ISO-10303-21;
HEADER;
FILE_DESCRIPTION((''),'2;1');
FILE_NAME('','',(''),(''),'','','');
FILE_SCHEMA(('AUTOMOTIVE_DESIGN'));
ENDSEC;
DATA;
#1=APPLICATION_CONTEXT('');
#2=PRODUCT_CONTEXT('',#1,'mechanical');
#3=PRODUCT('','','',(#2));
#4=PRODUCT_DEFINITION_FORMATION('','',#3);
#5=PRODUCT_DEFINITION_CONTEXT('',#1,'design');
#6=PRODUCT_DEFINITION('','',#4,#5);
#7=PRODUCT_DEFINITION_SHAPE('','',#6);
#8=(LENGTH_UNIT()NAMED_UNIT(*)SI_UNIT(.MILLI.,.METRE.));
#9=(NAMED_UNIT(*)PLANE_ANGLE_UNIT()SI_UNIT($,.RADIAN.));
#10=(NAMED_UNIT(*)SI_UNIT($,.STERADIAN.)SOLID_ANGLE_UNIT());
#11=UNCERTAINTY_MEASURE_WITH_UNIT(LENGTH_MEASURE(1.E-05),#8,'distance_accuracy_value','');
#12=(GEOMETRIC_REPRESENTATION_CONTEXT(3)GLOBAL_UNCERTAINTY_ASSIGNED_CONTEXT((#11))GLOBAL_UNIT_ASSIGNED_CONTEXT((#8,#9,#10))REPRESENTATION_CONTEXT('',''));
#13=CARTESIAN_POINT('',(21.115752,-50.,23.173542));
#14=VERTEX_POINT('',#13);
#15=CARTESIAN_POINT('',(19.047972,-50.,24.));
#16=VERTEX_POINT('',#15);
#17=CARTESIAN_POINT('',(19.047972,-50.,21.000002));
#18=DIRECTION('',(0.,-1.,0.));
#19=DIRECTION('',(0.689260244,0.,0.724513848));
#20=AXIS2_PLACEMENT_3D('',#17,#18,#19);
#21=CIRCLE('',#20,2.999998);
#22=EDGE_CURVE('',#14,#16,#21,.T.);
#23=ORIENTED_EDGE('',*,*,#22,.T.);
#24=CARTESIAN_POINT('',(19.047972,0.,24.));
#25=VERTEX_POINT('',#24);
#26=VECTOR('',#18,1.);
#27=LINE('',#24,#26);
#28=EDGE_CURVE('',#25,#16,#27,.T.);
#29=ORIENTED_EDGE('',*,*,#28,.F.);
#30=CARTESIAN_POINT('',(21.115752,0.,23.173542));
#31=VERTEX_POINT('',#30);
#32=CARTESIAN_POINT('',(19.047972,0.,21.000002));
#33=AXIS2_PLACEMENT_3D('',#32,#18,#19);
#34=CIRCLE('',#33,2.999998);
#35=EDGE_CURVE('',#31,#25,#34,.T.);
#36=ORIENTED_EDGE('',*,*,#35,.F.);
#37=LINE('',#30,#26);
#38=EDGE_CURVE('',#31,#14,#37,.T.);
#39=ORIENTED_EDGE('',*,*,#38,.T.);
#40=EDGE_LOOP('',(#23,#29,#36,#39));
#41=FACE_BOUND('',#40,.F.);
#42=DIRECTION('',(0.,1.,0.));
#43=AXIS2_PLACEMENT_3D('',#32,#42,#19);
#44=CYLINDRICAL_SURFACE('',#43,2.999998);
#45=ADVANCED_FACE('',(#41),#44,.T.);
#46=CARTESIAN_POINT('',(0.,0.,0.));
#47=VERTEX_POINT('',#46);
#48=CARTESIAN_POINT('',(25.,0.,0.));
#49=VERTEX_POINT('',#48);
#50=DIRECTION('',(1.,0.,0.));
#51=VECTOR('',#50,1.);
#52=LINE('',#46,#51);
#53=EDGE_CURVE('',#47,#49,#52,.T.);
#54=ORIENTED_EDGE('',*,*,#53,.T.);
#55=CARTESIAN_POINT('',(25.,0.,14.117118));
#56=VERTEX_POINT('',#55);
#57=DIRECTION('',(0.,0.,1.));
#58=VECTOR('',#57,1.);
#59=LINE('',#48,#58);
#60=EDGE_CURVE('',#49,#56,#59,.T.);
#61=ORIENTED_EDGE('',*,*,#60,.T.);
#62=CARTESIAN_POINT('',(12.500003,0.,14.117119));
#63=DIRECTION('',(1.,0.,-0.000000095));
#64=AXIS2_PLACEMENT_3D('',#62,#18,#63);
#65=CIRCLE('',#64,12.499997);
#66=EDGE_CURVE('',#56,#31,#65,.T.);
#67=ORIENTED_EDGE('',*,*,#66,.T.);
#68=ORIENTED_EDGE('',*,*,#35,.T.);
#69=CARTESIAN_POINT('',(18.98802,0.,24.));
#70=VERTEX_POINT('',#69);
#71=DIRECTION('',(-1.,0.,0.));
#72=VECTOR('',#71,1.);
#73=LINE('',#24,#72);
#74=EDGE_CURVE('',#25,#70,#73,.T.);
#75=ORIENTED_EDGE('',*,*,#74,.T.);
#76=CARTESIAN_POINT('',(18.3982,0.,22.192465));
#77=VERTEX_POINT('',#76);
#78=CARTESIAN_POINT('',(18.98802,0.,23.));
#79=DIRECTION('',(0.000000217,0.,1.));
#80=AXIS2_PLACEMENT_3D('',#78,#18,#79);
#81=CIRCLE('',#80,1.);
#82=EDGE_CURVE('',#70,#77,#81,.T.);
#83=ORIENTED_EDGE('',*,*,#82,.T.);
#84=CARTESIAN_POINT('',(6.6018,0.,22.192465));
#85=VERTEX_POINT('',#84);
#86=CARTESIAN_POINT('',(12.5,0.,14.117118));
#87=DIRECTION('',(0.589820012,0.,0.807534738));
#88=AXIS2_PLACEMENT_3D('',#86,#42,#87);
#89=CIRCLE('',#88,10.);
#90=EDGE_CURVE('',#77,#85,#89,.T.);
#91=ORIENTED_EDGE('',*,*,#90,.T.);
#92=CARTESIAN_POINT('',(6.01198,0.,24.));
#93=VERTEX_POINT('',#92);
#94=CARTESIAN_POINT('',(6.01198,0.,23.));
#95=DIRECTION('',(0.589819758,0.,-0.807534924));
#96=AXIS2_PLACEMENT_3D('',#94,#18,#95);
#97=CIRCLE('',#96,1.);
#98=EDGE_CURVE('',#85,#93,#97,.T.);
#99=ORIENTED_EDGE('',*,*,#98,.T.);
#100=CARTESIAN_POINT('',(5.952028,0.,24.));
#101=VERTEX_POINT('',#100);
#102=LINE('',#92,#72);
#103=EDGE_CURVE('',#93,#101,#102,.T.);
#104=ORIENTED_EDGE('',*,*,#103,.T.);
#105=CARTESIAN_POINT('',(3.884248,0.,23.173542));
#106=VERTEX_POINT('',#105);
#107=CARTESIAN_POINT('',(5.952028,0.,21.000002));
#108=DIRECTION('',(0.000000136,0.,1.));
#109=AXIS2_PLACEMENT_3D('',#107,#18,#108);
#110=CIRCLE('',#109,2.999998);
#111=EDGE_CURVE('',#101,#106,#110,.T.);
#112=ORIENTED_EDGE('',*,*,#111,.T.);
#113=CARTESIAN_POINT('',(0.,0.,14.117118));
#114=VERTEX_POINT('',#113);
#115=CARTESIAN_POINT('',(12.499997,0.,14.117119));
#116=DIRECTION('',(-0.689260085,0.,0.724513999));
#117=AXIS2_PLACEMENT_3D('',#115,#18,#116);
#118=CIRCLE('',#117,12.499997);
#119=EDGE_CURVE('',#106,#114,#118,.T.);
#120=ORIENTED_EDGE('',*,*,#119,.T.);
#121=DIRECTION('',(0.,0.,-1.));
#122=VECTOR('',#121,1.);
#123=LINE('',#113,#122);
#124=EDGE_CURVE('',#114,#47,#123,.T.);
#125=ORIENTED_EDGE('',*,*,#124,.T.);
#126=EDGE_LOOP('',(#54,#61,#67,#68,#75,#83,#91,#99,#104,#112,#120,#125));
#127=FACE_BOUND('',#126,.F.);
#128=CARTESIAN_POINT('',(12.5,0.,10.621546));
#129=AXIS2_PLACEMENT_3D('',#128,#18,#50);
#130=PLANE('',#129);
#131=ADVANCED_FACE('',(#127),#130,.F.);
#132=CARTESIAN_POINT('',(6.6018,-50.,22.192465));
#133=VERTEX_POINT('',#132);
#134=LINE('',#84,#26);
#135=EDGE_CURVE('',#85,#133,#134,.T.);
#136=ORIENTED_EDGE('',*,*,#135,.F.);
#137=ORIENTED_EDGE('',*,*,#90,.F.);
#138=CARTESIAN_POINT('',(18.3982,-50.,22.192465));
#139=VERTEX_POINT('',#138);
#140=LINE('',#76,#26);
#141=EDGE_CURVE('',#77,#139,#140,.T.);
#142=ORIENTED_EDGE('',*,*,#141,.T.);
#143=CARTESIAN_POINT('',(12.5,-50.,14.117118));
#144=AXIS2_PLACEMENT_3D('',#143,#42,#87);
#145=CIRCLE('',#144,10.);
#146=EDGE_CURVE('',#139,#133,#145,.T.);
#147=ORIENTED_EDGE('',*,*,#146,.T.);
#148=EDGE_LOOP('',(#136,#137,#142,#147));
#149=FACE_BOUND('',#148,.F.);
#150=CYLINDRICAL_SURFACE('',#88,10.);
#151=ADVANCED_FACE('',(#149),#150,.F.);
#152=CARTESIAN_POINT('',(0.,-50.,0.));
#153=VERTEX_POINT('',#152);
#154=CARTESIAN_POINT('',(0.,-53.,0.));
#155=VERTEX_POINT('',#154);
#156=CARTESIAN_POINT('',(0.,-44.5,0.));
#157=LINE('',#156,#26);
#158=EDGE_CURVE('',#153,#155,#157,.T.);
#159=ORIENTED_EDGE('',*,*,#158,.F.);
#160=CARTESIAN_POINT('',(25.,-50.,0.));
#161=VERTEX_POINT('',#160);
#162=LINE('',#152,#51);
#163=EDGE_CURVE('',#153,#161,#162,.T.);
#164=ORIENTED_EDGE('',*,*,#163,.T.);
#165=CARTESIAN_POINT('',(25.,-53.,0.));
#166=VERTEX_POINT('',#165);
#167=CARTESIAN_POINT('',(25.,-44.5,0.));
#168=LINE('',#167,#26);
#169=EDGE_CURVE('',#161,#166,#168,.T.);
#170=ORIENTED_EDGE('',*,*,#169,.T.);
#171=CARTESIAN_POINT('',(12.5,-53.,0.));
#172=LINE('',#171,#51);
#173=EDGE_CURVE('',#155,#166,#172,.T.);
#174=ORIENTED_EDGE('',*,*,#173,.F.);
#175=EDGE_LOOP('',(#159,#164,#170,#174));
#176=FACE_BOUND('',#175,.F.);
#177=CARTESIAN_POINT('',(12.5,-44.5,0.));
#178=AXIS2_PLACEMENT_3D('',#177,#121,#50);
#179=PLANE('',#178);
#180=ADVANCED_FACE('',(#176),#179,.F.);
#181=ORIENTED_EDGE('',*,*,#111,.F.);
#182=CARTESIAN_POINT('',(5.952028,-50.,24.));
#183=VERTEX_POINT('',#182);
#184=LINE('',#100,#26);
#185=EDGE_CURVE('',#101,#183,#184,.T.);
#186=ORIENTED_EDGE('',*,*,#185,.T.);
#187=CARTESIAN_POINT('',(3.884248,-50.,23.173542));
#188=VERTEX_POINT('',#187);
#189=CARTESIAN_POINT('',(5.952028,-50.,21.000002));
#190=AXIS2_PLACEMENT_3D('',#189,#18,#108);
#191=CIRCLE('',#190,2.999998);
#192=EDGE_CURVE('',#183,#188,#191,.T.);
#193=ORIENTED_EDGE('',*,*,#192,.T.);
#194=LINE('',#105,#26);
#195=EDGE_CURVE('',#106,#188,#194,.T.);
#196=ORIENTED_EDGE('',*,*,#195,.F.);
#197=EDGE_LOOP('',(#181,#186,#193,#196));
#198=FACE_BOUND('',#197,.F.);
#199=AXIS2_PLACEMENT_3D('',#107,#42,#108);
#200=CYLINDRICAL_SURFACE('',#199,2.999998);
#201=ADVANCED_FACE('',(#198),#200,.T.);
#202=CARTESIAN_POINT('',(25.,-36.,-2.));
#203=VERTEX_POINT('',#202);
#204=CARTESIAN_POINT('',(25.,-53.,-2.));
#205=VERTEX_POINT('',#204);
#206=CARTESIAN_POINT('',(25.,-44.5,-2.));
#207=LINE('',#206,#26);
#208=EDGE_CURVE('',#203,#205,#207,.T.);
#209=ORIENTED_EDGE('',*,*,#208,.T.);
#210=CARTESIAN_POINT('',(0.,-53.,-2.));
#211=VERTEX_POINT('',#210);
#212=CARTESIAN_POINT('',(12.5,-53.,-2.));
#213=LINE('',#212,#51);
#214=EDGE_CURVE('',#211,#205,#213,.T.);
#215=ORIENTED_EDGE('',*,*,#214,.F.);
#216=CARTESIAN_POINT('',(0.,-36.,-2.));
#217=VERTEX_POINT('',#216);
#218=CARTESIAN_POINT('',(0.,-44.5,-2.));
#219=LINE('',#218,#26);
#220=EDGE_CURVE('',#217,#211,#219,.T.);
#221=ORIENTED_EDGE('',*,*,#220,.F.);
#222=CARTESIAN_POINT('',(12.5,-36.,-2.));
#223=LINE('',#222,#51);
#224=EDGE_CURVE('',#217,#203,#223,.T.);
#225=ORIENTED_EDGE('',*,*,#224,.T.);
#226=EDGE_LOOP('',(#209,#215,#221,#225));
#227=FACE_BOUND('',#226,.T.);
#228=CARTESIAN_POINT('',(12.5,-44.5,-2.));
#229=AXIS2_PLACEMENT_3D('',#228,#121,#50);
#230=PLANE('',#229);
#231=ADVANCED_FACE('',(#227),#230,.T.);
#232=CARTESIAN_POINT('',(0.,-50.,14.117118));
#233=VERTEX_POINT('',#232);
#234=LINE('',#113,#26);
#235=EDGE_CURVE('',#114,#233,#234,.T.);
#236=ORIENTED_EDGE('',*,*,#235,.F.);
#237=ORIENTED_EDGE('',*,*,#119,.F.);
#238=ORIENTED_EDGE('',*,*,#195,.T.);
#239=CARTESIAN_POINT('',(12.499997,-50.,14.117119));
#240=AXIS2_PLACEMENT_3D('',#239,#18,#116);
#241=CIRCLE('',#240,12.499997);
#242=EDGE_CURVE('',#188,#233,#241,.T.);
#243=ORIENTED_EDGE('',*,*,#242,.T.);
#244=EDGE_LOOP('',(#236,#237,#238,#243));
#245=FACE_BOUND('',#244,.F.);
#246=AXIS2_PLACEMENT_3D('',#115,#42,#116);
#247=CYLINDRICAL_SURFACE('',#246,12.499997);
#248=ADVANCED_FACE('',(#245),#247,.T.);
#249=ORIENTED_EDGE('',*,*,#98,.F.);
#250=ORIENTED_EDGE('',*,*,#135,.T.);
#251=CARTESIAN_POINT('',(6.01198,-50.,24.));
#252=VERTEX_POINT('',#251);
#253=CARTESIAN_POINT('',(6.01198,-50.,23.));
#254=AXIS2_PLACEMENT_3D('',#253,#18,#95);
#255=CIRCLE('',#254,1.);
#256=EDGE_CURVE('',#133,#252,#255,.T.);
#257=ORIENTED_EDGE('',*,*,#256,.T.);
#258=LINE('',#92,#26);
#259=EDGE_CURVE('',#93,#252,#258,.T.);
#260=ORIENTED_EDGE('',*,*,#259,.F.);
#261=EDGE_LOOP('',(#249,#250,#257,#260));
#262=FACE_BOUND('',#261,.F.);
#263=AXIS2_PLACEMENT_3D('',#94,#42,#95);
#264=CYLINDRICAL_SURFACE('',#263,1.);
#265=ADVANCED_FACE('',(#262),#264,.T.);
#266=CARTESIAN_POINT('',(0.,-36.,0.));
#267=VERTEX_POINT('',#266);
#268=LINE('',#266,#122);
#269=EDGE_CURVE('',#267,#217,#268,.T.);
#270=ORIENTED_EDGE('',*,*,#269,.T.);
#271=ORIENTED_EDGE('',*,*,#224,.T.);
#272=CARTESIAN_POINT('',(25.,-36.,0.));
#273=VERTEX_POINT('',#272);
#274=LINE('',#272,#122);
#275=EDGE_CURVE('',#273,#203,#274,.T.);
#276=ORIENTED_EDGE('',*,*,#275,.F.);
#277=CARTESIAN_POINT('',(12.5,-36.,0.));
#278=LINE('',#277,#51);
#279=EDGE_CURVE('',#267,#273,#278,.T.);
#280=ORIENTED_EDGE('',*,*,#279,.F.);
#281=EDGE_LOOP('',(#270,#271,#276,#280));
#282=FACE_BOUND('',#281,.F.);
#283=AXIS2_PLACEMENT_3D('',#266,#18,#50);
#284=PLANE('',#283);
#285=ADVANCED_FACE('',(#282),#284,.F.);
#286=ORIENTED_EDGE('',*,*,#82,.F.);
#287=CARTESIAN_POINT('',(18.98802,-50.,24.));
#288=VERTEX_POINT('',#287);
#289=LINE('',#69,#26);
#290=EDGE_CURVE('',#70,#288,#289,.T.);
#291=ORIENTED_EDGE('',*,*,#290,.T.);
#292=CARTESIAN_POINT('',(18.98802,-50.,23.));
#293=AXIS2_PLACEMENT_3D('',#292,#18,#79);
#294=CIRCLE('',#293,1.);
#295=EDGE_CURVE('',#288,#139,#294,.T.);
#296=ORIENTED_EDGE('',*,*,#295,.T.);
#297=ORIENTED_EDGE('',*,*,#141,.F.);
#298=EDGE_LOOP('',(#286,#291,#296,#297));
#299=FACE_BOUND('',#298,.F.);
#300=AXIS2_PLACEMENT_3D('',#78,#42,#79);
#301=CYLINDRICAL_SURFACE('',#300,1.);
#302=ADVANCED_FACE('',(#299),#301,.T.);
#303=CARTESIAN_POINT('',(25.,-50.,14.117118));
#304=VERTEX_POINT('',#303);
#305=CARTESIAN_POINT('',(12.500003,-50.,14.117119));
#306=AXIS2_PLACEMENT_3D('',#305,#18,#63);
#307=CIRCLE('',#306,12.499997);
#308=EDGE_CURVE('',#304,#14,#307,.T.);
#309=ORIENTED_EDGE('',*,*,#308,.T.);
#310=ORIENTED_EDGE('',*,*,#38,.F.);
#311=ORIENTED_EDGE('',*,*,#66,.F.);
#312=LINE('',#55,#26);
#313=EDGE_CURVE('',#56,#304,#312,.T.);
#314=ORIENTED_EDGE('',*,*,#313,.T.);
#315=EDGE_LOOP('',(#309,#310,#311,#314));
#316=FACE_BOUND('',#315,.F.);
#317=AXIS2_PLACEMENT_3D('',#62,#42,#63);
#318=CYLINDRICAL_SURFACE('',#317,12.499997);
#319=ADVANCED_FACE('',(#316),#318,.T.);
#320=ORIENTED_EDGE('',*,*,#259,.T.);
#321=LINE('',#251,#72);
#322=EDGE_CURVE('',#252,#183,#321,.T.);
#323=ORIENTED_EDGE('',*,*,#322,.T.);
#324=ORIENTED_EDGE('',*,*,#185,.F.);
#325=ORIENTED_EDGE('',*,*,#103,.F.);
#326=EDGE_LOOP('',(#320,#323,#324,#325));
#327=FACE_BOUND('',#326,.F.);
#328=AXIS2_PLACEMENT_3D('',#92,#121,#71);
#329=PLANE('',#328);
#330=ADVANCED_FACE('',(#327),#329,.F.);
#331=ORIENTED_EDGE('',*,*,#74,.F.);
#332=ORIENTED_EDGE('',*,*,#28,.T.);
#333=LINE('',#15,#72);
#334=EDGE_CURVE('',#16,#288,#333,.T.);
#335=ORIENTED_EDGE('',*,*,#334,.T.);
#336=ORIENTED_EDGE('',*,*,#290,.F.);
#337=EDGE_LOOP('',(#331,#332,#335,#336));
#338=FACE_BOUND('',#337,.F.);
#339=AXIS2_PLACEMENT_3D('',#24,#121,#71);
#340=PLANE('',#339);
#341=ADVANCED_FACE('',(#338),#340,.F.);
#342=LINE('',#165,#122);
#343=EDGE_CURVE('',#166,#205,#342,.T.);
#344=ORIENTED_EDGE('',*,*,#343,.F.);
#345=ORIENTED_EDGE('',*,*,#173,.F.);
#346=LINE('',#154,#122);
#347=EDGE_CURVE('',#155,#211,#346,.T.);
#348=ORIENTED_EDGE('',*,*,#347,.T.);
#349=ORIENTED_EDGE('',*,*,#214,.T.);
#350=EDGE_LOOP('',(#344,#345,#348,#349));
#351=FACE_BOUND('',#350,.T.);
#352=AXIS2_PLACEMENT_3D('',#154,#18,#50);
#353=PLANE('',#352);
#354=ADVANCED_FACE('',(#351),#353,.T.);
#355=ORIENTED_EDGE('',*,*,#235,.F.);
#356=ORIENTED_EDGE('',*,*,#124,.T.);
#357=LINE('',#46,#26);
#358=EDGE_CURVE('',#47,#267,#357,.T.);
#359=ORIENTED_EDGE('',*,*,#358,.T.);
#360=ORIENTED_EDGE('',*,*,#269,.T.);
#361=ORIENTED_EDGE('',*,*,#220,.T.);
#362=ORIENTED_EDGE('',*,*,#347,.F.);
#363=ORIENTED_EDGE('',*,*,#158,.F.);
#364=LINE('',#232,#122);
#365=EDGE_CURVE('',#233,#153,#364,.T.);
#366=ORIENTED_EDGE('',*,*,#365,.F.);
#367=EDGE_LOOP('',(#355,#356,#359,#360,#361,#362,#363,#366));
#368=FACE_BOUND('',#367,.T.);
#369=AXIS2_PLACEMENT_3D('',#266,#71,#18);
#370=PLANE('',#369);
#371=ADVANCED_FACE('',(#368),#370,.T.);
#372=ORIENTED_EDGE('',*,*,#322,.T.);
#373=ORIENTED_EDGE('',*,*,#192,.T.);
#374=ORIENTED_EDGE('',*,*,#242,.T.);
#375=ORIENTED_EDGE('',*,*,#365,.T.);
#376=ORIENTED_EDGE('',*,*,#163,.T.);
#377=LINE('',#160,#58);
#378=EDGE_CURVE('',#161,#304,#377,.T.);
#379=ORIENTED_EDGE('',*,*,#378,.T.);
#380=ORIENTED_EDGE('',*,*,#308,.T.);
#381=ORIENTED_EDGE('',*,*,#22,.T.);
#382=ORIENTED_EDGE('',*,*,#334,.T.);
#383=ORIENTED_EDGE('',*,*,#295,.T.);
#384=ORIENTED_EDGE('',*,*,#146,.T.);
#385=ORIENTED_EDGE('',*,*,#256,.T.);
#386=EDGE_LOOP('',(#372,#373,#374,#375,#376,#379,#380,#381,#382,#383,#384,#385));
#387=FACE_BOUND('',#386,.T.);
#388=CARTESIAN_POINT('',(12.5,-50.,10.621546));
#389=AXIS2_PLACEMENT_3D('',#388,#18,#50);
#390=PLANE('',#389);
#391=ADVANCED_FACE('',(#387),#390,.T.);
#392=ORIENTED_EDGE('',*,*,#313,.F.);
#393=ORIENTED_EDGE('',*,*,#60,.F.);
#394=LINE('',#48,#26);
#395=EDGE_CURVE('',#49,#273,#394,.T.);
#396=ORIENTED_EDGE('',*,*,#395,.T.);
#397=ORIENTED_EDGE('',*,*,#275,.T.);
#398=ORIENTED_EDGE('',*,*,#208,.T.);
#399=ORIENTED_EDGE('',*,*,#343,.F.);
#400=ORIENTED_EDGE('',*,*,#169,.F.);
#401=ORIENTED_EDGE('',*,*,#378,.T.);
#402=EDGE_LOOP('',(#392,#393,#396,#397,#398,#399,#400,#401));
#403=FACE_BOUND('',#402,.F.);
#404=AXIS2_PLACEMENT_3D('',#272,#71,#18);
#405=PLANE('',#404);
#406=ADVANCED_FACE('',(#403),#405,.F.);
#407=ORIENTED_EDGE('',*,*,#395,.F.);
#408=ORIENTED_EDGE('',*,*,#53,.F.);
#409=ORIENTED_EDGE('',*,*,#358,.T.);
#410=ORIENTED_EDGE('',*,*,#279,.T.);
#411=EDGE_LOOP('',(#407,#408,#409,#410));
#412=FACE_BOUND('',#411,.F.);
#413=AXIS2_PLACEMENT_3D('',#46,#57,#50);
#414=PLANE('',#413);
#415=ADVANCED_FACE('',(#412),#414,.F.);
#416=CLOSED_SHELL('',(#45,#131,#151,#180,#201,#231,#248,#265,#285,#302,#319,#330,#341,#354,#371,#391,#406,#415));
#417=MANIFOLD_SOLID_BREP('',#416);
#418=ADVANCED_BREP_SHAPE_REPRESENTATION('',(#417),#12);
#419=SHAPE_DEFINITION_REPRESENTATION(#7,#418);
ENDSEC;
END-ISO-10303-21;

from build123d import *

# Parameters (mm, degrees)
F1_DEPTH = 50
F2_W     = 25
F2_H     = 17
F3_DEPTH = 2


with BuildPart() as f1:
    # F0 (on Front) → F1 (new body)
    with BuildSketch(Plane.XZ):
        with BuildLine():
            Line((0, 14.117118), (0, 0))
            Line((0, 0), (25, 0))
            Line((25, 0), (25, 14.117118))
            ThreePointArc((25, 14.117118), (23.98797, 19.044242), (21.115752, 23.173542))
            ThreePointArc((21.115752, 23.173542), (20.161384, 23.785734), (19.047972, 24))
            Line((19.047972, 24), (18.98802, 24))
            ThreePointArc((18.98802, 24), (18.037353, 23.310214), (18.3982, 22.192465))
            ThreePointArc((18.3982, 22.192465), (12.5, 4.117118), (6.6018, 22.192465))
            ThreePointArc((6.6018, 22.192465), (6.962647, 23.310214), (6.01198, 24))
            Line((6.01198, 24), (5.952028, 24))
            ThreePointArc((5.952028, 24), (4.838616, 23.785734), (3.884248, 23.173542))
            ThreePointArc((3.884248, 23.173542), (1.01203, 19.044242), (0, 14.117118))
        make_face()
    extrude(amount=F1_DEPTH)

    # F2 (on face) → F3 (join)
    with BuildSketch(Plane(origin=(0, 0, 0), x_dir=(1, 0, 0), z_dir=(0, 0, -1))):
        with Locations((12.5, 44.5)):
            Rectangle(F2_W, F2_H)
    extrude(amount=F3_DEPTH)


solid = f1.part
